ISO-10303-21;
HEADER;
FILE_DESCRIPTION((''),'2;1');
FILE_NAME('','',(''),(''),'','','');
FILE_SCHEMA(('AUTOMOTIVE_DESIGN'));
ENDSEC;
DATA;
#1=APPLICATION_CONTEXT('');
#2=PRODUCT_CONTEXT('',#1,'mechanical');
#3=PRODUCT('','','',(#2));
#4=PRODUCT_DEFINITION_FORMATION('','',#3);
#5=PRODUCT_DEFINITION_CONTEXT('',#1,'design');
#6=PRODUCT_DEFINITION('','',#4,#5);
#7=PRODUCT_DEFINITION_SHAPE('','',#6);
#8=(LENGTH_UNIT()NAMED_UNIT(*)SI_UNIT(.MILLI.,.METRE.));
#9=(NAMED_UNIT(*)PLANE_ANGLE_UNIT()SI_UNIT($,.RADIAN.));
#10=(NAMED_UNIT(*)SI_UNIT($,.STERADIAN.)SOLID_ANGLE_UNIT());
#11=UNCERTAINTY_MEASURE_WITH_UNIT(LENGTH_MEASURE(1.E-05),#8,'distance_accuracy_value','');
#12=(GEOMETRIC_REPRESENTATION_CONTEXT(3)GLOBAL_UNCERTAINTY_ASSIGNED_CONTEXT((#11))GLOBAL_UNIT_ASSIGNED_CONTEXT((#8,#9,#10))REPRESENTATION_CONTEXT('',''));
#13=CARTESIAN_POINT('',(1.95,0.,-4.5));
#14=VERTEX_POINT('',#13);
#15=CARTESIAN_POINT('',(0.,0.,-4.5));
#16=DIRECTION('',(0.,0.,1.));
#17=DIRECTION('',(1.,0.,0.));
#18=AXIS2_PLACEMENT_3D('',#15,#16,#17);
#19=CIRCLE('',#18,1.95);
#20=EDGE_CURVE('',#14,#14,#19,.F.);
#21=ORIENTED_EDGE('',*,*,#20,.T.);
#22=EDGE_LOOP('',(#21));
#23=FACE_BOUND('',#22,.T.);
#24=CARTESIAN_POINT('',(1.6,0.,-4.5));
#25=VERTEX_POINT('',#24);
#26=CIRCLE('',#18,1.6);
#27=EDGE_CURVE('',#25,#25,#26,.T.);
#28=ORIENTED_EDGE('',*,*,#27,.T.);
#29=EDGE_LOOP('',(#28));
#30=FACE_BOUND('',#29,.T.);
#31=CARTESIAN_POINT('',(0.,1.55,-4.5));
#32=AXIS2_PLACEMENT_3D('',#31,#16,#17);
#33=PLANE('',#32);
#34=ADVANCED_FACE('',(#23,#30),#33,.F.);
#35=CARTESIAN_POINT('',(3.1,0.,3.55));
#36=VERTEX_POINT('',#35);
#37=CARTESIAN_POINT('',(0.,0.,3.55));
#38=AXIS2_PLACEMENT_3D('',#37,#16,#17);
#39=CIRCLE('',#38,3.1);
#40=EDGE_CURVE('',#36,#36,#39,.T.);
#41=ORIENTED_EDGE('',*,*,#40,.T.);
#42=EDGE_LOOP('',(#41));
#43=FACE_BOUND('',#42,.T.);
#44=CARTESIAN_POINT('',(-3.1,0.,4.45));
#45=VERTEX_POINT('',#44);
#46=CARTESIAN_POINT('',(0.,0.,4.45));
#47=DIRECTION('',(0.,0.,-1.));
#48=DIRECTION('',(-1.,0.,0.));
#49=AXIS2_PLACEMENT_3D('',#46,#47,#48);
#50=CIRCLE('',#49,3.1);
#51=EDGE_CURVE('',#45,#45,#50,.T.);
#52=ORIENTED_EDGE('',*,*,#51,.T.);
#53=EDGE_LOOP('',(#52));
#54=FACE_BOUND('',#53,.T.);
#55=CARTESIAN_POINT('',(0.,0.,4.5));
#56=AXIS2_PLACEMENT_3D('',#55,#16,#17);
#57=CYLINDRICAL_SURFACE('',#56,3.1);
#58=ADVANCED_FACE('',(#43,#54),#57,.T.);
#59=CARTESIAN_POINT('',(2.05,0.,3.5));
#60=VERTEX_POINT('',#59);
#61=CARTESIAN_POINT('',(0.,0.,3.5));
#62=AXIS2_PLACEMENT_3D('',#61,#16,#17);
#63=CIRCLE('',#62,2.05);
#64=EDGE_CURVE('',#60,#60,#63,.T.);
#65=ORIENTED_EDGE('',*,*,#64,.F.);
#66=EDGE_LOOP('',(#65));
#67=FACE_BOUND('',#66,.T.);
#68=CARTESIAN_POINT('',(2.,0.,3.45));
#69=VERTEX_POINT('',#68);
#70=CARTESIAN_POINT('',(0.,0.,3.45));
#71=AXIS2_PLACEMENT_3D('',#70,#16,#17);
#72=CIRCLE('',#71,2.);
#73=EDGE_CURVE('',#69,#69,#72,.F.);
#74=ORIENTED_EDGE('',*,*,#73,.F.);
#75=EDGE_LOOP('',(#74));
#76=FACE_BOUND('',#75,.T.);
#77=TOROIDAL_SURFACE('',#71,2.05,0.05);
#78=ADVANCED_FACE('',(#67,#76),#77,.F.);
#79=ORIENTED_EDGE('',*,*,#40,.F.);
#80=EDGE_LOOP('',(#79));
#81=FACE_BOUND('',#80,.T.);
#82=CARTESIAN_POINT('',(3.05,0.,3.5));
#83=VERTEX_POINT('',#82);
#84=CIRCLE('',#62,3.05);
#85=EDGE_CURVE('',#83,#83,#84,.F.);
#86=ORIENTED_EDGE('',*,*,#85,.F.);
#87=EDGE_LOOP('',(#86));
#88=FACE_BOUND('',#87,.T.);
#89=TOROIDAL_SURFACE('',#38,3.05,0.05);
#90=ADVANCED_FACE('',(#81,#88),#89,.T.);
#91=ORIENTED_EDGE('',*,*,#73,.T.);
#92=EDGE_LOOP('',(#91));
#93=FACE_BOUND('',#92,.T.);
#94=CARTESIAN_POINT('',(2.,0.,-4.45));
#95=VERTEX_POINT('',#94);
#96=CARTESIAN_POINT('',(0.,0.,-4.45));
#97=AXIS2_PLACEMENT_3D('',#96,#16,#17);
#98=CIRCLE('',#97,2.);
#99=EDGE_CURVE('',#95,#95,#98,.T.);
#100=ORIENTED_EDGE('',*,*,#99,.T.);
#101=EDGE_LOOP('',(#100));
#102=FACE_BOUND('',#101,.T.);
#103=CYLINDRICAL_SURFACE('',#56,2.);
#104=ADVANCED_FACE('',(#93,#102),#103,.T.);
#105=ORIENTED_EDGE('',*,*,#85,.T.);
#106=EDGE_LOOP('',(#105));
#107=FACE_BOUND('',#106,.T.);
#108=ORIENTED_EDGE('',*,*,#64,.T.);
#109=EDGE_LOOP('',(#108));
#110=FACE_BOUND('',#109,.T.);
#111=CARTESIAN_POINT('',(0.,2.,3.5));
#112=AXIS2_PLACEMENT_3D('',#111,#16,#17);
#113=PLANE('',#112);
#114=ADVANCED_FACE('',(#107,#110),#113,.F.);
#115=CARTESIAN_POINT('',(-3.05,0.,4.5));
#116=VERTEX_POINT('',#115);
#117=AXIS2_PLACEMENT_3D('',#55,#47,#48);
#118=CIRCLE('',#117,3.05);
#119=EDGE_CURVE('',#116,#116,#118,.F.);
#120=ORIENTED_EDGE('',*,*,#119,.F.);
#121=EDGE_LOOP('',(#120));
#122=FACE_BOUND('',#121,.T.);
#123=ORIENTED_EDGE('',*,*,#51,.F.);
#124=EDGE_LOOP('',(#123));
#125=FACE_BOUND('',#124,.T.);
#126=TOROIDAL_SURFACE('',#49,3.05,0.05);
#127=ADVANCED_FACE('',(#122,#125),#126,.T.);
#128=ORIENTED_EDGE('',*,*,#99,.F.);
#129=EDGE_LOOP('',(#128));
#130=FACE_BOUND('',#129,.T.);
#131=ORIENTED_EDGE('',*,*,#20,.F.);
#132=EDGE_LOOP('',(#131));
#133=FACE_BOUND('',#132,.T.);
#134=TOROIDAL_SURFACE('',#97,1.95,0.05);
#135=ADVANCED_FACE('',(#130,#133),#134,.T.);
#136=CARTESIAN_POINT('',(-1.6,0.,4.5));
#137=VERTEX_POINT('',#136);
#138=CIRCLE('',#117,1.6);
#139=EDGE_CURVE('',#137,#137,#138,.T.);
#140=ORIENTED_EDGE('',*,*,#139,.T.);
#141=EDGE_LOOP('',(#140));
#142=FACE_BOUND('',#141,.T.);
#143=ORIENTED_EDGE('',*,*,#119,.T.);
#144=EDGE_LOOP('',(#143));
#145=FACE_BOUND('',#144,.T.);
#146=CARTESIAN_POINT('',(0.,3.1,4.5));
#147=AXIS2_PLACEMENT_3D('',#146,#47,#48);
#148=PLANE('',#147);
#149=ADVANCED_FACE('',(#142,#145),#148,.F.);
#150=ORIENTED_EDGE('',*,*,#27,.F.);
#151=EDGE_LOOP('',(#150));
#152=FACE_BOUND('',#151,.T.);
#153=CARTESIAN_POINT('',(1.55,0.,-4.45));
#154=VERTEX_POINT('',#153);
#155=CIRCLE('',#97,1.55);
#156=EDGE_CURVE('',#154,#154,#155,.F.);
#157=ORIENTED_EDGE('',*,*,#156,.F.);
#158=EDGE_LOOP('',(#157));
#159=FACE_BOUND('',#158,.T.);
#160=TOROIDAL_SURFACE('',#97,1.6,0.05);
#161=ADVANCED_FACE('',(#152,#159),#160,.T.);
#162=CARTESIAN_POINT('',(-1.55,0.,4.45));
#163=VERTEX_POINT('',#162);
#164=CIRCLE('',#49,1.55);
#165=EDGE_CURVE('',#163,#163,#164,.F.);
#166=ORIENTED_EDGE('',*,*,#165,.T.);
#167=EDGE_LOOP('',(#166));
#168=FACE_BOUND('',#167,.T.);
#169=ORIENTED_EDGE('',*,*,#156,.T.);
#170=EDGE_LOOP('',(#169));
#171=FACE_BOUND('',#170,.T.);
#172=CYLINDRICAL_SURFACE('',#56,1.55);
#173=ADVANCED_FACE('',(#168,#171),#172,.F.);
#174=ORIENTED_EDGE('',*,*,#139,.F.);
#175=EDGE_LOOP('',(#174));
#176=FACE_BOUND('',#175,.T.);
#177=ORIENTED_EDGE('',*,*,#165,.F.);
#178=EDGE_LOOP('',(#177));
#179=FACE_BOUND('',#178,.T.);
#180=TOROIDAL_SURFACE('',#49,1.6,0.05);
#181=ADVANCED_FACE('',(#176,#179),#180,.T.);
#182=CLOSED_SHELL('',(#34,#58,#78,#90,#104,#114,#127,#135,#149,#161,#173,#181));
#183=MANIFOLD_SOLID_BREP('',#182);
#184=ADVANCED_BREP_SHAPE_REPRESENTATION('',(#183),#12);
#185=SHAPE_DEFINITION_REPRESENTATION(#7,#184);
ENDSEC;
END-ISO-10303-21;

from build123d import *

# Parameters (mm, degrees)
FILLET1_R = 0.05


with BuildPart() as part:
    # Sketch2 → Revolve1 (revolve)
    with BuildSketch(Plane(origin=(0, 0, 0), x_dir=(0, 0, -1), z_dir=(1, 0, 0))):
        Polygon((-4.5, 1.55), (4.5, 1.55), (4.5, 2), (-3.5, 2), (-3.5, 3.1), (-4.5, 3.1), align=None)
    revolve(axis=Axis((0, 0, 4.5), (0, 0, -1)))

    # Fillet1
    fillet1_edges = [part.edges().sort_by_distance(p)[0] for p in [
        (0, -3.1, 4.5),
        (0, -3.1, 3.5),
        (0, -2, 3.5),
        (0, -2, -4.5),
        (0, -1.55, -4.5),
        (0, -1.55, 4.5),
    ]]
    fillet(fillet1_edges, radius=FILLET1_R)


solid = part.part
